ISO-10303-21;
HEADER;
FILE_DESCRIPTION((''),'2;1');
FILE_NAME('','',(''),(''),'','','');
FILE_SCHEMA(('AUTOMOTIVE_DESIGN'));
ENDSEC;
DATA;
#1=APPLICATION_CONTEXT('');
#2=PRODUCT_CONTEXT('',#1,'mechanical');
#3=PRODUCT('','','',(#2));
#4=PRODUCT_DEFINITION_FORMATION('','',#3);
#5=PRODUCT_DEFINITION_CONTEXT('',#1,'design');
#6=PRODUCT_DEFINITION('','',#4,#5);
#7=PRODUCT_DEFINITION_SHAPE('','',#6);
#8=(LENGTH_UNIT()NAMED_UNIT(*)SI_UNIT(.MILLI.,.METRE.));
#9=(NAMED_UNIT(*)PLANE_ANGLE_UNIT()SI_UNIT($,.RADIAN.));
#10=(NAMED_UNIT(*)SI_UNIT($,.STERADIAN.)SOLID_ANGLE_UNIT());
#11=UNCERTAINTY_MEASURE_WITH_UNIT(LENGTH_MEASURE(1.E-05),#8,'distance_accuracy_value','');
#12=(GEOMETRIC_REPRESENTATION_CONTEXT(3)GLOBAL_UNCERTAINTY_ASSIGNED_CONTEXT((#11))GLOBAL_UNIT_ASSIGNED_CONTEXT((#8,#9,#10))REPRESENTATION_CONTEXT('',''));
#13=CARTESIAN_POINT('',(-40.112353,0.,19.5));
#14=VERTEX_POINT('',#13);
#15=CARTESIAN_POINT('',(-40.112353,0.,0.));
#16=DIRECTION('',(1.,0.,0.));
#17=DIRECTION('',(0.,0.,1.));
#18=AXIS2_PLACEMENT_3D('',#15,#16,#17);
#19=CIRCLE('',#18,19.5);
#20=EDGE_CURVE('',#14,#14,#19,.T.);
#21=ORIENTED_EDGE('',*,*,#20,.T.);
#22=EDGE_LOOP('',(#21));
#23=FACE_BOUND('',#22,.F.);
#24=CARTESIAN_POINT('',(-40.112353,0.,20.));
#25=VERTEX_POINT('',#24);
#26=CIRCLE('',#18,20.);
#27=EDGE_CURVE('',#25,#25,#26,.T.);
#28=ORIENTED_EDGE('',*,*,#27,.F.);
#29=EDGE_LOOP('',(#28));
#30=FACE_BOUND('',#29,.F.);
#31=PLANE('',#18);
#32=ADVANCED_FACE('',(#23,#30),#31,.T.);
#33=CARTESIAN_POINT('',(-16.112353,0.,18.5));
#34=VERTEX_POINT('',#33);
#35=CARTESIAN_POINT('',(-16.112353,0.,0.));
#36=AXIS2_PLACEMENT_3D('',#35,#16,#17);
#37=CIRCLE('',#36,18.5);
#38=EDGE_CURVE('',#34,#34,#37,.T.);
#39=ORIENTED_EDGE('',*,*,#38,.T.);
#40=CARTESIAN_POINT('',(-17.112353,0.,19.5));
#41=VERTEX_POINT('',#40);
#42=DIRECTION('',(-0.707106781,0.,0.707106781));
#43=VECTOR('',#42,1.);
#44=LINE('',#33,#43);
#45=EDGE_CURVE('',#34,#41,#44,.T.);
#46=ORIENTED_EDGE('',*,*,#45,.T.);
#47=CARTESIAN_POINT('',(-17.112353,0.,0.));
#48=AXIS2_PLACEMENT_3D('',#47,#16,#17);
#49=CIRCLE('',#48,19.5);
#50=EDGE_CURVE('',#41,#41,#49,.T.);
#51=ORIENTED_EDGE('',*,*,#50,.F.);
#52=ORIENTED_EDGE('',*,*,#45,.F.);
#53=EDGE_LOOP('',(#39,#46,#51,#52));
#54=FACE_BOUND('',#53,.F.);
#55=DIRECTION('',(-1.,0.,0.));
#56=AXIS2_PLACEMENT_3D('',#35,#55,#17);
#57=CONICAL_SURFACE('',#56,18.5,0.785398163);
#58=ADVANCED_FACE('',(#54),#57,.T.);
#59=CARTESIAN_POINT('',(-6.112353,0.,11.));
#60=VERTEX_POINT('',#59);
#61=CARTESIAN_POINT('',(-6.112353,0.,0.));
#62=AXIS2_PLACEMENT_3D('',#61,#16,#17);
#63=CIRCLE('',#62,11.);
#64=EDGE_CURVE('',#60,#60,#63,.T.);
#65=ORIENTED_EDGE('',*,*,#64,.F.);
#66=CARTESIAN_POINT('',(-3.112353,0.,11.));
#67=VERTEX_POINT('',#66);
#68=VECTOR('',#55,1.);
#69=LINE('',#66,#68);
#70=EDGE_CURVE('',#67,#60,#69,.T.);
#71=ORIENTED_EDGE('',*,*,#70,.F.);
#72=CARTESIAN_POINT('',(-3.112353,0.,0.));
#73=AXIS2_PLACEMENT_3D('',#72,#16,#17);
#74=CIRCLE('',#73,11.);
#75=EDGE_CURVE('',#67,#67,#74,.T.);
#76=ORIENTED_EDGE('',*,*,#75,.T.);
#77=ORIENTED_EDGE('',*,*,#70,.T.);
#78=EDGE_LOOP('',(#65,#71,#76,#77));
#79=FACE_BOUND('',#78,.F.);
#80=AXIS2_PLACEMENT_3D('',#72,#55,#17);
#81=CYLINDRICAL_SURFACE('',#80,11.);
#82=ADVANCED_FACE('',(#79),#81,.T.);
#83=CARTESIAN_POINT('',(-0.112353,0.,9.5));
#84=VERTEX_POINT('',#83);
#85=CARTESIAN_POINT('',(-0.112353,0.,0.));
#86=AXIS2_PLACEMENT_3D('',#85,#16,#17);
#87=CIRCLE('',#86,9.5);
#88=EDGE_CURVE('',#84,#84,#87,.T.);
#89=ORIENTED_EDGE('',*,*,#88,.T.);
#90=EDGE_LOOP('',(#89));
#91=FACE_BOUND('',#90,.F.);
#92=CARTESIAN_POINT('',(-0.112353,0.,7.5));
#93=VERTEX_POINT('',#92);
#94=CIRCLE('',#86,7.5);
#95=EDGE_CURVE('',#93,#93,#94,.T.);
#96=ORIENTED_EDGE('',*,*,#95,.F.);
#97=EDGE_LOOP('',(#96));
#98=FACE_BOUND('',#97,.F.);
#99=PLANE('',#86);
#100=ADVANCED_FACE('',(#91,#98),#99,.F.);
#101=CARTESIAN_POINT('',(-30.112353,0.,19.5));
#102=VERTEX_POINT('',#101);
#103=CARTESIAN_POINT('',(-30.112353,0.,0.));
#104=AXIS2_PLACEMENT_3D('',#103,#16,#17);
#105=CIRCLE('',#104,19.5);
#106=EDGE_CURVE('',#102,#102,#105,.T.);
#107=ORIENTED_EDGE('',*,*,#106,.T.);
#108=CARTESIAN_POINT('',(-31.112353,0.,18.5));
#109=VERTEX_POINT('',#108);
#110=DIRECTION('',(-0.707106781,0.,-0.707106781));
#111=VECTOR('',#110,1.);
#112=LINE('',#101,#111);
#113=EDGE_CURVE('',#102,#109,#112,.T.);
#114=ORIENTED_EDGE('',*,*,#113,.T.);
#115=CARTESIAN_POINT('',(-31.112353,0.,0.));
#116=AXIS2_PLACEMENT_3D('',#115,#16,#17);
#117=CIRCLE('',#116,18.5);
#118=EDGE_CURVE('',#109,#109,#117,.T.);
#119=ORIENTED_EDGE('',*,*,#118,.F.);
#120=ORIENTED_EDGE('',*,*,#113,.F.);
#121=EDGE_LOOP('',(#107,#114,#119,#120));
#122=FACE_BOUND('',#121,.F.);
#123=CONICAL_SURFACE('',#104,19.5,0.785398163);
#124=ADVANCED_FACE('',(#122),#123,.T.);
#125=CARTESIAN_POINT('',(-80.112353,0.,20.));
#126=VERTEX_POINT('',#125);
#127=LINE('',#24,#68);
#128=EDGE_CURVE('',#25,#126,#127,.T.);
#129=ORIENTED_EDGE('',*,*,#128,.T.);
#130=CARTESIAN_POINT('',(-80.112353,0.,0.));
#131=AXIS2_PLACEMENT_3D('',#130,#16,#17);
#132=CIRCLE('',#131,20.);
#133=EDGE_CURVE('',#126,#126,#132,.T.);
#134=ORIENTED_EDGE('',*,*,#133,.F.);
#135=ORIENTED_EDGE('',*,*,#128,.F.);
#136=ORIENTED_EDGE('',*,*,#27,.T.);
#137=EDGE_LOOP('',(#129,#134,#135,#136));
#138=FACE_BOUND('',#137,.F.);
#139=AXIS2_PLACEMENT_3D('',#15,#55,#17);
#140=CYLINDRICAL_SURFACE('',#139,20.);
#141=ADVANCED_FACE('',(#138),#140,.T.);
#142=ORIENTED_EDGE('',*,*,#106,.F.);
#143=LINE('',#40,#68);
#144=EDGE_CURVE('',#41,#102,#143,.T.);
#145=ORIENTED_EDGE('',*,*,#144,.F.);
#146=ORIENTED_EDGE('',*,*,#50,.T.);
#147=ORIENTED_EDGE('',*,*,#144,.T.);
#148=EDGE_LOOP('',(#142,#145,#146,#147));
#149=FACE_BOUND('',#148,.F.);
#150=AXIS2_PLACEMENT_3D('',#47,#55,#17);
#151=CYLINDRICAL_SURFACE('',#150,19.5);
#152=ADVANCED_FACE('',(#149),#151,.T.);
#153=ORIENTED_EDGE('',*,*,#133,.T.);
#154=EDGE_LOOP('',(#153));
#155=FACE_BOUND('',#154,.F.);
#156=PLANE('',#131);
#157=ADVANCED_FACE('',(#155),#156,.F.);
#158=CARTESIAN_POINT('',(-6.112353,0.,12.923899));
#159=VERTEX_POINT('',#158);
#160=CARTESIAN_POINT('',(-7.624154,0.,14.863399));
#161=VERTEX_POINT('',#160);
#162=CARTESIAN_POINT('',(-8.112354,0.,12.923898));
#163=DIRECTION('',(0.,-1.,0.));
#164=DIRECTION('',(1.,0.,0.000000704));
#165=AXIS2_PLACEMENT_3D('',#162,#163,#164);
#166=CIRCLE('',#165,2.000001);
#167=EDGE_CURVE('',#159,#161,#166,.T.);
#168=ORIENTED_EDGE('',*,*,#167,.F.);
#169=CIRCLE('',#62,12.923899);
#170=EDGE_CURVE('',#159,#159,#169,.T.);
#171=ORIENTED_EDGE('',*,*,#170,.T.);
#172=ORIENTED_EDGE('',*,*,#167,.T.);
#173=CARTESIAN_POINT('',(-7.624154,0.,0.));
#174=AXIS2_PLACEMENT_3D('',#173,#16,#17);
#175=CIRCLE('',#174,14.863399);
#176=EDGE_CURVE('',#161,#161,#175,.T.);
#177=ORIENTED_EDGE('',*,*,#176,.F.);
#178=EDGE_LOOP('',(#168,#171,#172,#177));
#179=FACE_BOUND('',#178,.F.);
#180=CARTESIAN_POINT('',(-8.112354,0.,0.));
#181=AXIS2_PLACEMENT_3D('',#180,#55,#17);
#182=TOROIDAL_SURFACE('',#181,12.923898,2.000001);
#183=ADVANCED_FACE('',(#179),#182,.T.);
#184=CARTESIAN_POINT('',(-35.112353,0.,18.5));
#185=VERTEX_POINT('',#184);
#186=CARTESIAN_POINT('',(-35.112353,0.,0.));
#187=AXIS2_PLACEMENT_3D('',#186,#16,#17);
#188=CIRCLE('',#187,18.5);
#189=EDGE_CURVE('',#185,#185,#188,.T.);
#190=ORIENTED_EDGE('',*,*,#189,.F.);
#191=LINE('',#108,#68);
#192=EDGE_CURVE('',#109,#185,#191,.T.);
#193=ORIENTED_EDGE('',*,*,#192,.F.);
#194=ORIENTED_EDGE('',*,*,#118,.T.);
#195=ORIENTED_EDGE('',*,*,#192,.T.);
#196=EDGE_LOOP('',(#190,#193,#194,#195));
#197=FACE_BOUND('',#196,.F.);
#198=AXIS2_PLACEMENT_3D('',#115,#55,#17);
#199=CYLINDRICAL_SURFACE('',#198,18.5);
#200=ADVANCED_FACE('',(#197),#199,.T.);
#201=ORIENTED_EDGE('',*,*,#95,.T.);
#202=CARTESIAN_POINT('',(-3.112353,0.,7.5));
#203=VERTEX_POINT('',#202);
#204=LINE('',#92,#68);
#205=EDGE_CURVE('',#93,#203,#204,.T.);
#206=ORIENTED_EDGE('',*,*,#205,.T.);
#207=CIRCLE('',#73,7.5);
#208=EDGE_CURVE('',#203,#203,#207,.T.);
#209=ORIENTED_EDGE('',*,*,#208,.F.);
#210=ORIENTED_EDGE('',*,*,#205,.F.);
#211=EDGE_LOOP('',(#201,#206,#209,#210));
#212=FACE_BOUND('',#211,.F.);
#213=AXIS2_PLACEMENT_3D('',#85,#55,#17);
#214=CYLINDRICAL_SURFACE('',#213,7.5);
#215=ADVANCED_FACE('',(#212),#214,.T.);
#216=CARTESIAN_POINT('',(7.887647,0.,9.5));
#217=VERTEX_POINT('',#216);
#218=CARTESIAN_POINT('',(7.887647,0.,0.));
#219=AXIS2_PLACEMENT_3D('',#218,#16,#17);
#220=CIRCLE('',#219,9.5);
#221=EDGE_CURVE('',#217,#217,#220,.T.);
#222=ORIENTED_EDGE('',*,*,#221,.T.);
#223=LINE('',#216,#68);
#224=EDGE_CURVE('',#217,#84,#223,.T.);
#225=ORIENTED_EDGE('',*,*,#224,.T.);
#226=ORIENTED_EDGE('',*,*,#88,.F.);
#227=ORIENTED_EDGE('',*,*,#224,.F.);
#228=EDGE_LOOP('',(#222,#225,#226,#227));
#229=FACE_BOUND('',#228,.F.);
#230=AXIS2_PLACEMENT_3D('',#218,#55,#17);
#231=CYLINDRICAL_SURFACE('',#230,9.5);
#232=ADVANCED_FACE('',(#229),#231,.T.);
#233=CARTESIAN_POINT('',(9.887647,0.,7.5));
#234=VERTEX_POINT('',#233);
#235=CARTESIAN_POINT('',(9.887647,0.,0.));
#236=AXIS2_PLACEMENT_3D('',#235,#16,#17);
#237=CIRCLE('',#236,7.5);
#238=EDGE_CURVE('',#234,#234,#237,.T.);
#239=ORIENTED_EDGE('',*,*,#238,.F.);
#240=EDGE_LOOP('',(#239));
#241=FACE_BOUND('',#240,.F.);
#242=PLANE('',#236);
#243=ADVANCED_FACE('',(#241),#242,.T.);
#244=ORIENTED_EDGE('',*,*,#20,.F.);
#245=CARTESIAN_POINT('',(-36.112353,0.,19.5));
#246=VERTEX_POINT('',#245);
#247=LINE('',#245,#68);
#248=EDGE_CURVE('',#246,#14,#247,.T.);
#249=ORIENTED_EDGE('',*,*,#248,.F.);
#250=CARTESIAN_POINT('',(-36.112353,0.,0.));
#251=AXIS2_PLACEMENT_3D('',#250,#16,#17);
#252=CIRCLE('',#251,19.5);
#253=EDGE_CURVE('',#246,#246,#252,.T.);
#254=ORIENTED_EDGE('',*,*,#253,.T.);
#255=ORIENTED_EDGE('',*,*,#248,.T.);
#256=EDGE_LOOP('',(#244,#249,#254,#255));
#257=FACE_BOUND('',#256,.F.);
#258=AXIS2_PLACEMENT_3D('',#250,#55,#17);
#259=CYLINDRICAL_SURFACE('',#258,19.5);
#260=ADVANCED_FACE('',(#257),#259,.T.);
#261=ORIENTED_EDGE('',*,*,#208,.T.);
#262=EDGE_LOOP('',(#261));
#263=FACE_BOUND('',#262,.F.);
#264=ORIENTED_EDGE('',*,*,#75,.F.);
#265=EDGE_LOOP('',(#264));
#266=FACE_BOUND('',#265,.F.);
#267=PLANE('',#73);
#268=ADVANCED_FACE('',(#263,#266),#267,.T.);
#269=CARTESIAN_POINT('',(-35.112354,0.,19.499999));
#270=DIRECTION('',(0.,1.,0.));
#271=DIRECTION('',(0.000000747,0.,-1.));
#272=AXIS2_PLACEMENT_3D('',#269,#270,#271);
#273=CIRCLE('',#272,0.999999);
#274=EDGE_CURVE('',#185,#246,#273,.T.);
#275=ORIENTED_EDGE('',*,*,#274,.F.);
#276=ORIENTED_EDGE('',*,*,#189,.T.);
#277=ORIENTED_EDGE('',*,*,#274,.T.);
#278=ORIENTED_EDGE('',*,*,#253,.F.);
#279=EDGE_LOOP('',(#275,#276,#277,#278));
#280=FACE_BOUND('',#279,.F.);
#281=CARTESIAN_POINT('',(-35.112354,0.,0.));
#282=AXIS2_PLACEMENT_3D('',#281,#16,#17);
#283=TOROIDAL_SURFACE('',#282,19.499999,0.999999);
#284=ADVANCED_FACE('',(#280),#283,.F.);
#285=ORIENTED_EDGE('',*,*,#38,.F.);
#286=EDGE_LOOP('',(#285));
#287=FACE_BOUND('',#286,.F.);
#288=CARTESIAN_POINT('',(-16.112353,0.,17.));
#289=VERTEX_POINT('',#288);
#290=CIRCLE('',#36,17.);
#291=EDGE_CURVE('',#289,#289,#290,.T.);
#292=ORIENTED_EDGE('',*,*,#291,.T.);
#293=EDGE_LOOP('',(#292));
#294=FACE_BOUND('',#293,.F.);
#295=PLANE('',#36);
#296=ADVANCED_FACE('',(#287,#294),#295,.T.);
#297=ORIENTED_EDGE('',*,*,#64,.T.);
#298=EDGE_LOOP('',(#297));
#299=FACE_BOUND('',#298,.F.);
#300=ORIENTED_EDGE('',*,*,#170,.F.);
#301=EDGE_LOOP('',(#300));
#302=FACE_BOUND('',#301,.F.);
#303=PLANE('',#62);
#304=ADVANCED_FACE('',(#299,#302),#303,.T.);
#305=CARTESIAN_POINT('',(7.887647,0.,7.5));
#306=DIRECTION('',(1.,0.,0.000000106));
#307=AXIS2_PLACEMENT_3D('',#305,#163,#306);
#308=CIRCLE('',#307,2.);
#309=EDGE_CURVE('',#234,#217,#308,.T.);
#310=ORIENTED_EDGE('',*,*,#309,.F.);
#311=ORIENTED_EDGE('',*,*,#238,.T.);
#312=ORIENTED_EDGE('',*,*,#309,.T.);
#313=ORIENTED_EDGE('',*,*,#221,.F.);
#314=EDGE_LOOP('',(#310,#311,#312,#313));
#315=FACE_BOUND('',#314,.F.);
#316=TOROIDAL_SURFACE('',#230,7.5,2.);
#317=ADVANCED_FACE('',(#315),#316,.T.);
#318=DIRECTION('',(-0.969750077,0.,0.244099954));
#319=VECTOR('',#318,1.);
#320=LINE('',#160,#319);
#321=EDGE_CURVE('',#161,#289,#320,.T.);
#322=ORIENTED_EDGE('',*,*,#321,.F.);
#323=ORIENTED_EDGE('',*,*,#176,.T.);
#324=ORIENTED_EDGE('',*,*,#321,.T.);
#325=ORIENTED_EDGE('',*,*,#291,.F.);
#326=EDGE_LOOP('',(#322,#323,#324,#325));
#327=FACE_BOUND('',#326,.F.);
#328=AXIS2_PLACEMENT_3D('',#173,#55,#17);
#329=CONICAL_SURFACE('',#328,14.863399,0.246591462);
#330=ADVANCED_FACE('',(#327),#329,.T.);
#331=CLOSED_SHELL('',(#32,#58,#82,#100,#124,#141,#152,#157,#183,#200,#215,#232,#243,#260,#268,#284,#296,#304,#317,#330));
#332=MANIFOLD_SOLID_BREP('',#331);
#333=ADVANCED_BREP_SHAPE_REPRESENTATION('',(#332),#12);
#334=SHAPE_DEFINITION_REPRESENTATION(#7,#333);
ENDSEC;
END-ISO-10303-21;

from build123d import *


with BuildPart() as f1:
    # F0 (on Front) → F1 (revolve)
    with BuildSketch(Plane.XZ):
        with BuildLine():
            Line((-80.112353, 20), (-80.112353, 0))
            Line((-80.112353, 0), (9.887647, 0))
            Line((9.887647, 0), (9.887647, 7.5))
            ThreePointArc((9.887647, 7.5), (9.30186, 8.914214), (7.887647, 9.5))
            Line((7.887647, 9.5), (-0.112353, 9.5))
            Line((-0.112353, 9.5), (-0.112353, 7.5))
            Line((-0.112353, 7.5), (-3.112353, 7.5))
            Line((-3.112353, 7.5), (-3.112353, 11))
            Line((-3.112353, 11), (-6.112353, 11))
            Line((-6.112353, 11), (-6.112353, 12.335))
            Line((-6.112353, 12.335), (-6.112353, 12.923899))
            ThreePointArc((-6.112353, 12.923899), (-6.534951, 14.153452), (-7.624154, 14.863399))
            Line((-7.624154, 14.863399), (-16.112353, 17))
            Line((-16.112353, 17), (-16.112353, 18.5))
            Line((-16.112353, 18.5), (-17.112353, 19.5))
            Line((-17.112353, 19.5), (-30.112353, 19.5))
            Line((-30.112353, 19.5), (-31.112353, 18.5))
            Line((-31.112353, 18.5), (-35.112353, 18.5))
            ThreePointArc((-35.112353, 18.5), (-35.81946, 18.792893), (-36.112353, 19.5))
            Line((-36.112353, 19.5), (-40.112353, 19.5))
            Line((-40.112353, 19.5), (-40.112353, 20))
            Line((-40.112353, 20), (-80.112353, 20))
        make_face()
    revolve(axis=Axis((-35.112353, 0, 0), (1, 0, 0)))


solid = f1.part
